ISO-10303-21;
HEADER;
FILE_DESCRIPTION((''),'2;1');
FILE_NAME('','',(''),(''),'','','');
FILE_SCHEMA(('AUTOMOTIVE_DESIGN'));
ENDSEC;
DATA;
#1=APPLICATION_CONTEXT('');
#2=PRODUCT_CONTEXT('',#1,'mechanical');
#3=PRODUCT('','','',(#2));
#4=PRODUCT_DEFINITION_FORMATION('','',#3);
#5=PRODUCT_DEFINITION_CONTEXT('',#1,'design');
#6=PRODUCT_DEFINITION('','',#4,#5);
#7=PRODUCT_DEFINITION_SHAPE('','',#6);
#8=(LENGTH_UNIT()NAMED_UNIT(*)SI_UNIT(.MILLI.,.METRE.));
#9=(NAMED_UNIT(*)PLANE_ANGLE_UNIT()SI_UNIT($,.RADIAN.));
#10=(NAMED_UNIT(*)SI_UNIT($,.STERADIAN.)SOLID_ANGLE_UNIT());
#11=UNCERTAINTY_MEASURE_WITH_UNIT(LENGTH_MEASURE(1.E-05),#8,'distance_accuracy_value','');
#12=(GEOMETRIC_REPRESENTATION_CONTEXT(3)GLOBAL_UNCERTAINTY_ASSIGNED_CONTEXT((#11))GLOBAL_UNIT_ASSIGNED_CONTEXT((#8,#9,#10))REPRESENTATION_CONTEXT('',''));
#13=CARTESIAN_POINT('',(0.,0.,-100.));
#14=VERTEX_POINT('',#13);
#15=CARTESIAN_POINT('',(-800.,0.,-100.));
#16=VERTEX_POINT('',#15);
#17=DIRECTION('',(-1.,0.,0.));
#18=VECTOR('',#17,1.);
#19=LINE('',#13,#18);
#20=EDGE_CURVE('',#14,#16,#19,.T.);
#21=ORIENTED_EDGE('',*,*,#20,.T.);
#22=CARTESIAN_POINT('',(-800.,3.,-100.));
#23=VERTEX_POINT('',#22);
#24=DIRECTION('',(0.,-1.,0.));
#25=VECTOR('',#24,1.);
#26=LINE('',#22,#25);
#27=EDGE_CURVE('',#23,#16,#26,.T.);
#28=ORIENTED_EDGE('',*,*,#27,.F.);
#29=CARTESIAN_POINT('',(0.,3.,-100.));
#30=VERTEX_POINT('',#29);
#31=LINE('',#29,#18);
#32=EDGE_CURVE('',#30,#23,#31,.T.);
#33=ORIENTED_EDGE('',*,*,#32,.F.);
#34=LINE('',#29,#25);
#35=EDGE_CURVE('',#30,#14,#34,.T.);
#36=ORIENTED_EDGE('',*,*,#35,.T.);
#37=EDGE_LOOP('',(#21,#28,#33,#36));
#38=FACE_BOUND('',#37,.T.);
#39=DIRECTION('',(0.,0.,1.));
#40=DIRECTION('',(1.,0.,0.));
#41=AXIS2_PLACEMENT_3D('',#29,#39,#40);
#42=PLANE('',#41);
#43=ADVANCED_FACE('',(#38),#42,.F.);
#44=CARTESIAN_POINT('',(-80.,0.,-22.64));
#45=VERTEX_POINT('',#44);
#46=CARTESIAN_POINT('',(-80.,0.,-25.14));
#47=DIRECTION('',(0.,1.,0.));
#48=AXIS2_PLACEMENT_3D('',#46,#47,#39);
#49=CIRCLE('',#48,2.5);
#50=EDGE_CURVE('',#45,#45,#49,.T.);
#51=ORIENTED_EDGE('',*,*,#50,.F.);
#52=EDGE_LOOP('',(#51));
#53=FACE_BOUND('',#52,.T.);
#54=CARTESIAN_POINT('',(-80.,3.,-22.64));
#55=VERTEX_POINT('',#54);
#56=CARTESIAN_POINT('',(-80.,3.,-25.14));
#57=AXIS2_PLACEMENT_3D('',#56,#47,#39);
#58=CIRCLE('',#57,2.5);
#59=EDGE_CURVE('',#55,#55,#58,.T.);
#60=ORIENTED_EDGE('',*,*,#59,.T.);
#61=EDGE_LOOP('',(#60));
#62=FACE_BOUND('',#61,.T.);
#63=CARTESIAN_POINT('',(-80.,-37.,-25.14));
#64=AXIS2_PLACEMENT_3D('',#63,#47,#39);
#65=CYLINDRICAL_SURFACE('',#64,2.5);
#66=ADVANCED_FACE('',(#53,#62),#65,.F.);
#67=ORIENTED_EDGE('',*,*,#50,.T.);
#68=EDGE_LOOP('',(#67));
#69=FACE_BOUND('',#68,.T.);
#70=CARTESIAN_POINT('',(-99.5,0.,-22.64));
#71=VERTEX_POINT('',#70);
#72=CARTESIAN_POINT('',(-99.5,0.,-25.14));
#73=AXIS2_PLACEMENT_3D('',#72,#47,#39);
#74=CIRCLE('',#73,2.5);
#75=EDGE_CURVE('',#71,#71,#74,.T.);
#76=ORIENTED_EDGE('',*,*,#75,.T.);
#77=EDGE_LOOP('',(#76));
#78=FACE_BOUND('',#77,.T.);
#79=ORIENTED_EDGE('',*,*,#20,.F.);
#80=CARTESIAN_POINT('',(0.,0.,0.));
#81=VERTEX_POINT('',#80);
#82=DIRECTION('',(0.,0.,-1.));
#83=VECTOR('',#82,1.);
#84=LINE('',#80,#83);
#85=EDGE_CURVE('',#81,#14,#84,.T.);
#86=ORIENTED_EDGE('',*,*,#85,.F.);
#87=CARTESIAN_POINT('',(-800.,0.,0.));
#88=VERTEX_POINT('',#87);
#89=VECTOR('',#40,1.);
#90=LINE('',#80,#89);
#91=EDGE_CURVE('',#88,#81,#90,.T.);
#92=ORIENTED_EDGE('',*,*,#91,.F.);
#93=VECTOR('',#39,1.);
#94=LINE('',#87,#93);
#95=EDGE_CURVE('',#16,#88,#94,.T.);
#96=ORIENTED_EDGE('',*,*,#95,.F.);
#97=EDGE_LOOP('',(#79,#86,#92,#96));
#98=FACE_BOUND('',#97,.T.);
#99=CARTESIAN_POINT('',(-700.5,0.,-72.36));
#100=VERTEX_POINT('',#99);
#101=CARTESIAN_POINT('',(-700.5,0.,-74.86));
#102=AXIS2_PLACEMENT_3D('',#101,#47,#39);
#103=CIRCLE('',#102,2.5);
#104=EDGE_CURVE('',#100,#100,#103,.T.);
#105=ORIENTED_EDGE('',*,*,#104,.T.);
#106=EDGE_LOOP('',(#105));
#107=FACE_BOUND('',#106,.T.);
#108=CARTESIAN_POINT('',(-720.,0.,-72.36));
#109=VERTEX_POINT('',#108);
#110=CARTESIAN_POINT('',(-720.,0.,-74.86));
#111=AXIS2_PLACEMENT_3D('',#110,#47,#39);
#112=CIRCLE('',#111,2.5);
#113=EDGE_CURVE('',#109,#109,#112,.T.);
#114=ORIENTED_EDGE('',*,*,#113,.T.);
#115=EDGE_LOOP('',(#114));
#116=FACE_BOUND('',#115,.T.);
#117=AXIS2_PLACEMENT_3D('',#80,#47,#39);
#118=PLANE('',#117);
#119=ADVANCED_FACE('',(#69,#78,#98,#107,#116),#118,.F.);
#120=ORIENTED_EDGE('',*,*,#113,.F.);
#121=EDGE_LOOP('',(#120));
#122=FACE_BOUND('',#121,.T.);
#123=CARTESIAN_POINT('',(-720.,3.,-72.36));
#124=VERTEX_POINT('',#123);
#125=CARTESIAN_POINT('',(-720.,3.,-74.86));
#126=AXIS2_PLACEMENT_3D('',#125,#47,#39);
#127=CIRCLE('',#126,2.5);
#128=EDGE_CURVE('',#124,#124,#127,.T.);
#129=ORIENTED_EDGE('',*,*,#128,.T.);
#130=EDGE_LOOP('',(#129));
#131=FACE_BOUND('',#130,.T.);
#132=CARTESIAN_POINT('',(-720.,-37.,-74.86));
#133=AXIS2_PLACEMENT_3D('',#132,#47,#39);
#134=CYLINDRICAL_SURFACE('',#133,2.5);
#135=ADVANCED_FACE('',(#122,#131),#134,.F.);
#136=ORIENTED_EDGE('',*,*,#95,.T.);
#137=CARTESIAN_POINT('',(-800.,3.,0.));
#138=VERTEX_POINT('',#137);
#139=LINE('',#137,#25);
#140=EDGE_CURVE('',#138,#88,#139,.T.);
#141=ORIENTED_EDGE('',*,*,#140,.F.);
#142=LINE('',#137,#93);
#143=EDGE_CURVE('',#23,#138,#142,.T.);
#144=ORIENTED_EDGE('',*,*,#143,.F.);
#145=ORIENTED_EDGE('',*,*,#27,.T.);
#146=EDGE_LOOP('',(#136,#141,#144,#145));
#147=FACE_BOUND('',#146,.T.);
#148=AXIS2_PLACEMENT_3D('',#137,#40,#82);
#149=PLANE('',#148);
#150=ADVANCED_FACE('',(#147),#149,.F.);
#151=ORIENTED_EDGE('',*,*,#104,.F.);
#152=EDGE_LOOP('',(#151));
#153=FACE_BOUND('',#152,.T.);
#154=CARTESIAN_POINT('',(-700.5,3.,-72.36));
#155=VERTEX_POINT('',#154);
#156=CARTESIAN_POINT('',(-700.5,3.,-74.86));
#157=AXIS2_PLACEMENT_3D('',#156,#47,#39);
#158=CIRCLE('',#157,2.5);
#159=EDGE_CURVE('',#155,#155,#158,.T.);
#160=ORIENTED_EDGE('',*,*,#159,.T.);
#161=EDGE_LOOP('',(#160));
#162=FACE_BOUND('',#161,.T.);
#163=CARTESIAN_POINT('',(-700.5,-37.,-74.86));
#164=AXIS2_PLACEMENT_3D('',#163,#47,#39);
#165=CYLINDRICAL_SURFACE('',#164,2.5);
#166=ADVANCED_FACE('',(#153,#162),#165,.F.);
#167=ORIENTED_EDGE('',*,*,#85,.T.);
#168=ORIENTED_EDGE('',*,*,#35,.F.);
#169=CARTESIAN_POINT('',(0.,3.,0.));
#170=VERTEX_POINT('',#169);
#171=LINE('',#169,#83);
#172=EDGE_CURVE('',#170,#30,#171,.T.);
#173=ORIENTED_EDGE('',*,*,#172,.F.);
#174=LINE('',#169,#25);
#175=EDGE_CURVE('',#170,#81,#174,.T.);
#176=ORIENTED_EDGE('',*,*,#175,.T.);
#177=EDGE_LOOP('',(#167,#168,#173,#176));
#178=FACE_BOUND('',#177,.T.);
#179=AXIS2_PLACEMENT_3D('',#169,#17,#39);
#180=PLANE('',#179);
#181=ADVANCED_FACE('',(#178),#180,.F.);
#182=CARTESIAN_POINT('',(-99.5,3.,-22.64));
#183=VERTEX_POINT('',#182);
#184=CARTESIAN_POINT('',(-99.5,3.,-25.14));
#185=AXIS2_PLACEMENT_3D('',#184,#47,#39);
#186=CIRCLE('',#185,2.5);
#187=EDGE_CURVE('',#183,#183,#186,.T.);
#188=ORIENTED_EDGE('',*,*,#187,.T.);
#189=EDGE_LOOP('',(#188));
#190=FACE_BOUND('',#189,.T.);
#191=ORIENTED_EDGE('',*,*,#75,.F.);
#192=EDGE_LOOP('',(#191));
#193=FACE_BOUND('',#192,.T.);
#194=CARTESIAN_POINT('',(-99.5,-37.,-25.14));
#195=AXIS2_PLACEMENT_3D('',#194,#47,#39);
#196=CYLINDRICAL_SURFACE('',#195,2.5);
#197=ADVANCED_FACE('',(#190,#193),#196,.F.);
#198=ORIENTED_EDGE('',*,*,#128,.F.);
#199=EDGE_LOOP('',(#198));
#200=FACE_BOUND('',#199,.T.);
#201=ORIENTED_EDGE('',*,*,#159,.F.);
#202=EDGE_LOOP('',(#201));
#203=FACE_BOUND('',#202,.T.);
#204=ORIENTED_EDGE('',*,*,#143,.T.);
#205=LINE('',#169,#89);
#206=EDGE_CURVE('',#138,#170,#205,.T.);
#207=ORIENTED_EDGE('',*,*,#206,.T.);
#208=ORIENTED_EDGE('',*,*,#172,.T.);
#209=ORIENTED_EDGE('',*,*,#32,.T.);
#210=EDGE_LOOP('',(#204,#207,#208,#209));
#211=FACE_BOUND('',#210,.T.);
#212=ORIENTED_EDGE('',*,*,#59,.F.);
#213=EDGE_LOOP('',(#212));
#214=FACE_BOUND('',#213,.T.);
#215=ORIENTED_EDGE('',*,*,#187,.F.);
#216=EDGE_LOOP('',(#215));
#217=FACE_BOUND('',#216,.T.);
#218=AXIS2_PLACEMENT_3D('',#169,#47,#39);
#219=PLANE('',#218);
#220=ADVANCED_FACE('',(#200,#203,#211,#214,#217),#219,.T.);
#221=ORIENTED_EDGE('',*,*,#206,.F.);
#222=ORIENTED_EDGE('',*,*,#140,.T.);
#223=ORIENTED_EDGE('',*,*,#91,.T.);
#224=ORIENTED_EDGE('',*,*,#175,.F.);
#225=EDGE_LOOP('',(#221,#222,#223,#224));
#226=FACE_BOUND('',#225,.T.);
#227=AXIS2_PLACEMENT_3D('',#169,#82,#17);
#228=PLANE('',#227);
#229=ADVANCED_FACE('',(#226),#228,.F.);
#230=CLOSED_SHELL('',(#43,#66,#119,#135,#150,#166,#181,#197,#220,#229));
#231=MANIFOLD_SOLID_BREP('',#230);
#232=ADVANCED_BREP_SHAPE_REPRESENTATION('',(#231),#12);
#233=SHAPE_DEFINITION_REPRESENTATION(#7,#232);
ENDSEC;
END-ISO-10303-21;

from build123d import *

# Parameters (mm, degrees)
SKETCH1_W           = 800
SKETCH1_H           = 100
BOSS_EXTRUDE1_DEPTH = 3
SKETCH2_R           = 2.5
CUT_EXTRUDE1_DEPTH  = 40


with BuildPart() as part:
    # Sketch1 → Boss-Extrude1 (new body)
    with BuildSketch(Plane(origin=(0, 0, 0), x_dir=(1, 0, 0), z_dir=(0, 1, 0))):
        with Locations((-400, 50)):
            Rectangle(SKETCH1_W, SKETCH1_H)
    extrude(amount=BOSS_EXTRUDE1_DEPTH)

    # Sketch2 → Cut-Extrude1 (cut)
    with BuildSketch(Plane(origin=(0, 3, 0), x_dir=(1, 0, 0), z_dir=(0, 1, 0))):
        with Locations(Location((-80, 25.14, 0), (0, 0, 270))):
            Circle(SKETCH2_R)
        with Locations(Location((-99.5, 25.14, 0), (0, 0, 270))):
            Circle(SKETCH2_R)
        with Locations(Location((-720, 74.86, 0), (0, 0, 270))):
            Circle(SKETCH2_R)
        with Locations(Location((-700.5, 74.86, 0), (0, 0, 270))):
            Circle(SKETCH2_R)
    extrude(amount=-CUT_EXTRUDE1_DEPTH, mode=Mode.SUBTRACT)


solid = part.part
